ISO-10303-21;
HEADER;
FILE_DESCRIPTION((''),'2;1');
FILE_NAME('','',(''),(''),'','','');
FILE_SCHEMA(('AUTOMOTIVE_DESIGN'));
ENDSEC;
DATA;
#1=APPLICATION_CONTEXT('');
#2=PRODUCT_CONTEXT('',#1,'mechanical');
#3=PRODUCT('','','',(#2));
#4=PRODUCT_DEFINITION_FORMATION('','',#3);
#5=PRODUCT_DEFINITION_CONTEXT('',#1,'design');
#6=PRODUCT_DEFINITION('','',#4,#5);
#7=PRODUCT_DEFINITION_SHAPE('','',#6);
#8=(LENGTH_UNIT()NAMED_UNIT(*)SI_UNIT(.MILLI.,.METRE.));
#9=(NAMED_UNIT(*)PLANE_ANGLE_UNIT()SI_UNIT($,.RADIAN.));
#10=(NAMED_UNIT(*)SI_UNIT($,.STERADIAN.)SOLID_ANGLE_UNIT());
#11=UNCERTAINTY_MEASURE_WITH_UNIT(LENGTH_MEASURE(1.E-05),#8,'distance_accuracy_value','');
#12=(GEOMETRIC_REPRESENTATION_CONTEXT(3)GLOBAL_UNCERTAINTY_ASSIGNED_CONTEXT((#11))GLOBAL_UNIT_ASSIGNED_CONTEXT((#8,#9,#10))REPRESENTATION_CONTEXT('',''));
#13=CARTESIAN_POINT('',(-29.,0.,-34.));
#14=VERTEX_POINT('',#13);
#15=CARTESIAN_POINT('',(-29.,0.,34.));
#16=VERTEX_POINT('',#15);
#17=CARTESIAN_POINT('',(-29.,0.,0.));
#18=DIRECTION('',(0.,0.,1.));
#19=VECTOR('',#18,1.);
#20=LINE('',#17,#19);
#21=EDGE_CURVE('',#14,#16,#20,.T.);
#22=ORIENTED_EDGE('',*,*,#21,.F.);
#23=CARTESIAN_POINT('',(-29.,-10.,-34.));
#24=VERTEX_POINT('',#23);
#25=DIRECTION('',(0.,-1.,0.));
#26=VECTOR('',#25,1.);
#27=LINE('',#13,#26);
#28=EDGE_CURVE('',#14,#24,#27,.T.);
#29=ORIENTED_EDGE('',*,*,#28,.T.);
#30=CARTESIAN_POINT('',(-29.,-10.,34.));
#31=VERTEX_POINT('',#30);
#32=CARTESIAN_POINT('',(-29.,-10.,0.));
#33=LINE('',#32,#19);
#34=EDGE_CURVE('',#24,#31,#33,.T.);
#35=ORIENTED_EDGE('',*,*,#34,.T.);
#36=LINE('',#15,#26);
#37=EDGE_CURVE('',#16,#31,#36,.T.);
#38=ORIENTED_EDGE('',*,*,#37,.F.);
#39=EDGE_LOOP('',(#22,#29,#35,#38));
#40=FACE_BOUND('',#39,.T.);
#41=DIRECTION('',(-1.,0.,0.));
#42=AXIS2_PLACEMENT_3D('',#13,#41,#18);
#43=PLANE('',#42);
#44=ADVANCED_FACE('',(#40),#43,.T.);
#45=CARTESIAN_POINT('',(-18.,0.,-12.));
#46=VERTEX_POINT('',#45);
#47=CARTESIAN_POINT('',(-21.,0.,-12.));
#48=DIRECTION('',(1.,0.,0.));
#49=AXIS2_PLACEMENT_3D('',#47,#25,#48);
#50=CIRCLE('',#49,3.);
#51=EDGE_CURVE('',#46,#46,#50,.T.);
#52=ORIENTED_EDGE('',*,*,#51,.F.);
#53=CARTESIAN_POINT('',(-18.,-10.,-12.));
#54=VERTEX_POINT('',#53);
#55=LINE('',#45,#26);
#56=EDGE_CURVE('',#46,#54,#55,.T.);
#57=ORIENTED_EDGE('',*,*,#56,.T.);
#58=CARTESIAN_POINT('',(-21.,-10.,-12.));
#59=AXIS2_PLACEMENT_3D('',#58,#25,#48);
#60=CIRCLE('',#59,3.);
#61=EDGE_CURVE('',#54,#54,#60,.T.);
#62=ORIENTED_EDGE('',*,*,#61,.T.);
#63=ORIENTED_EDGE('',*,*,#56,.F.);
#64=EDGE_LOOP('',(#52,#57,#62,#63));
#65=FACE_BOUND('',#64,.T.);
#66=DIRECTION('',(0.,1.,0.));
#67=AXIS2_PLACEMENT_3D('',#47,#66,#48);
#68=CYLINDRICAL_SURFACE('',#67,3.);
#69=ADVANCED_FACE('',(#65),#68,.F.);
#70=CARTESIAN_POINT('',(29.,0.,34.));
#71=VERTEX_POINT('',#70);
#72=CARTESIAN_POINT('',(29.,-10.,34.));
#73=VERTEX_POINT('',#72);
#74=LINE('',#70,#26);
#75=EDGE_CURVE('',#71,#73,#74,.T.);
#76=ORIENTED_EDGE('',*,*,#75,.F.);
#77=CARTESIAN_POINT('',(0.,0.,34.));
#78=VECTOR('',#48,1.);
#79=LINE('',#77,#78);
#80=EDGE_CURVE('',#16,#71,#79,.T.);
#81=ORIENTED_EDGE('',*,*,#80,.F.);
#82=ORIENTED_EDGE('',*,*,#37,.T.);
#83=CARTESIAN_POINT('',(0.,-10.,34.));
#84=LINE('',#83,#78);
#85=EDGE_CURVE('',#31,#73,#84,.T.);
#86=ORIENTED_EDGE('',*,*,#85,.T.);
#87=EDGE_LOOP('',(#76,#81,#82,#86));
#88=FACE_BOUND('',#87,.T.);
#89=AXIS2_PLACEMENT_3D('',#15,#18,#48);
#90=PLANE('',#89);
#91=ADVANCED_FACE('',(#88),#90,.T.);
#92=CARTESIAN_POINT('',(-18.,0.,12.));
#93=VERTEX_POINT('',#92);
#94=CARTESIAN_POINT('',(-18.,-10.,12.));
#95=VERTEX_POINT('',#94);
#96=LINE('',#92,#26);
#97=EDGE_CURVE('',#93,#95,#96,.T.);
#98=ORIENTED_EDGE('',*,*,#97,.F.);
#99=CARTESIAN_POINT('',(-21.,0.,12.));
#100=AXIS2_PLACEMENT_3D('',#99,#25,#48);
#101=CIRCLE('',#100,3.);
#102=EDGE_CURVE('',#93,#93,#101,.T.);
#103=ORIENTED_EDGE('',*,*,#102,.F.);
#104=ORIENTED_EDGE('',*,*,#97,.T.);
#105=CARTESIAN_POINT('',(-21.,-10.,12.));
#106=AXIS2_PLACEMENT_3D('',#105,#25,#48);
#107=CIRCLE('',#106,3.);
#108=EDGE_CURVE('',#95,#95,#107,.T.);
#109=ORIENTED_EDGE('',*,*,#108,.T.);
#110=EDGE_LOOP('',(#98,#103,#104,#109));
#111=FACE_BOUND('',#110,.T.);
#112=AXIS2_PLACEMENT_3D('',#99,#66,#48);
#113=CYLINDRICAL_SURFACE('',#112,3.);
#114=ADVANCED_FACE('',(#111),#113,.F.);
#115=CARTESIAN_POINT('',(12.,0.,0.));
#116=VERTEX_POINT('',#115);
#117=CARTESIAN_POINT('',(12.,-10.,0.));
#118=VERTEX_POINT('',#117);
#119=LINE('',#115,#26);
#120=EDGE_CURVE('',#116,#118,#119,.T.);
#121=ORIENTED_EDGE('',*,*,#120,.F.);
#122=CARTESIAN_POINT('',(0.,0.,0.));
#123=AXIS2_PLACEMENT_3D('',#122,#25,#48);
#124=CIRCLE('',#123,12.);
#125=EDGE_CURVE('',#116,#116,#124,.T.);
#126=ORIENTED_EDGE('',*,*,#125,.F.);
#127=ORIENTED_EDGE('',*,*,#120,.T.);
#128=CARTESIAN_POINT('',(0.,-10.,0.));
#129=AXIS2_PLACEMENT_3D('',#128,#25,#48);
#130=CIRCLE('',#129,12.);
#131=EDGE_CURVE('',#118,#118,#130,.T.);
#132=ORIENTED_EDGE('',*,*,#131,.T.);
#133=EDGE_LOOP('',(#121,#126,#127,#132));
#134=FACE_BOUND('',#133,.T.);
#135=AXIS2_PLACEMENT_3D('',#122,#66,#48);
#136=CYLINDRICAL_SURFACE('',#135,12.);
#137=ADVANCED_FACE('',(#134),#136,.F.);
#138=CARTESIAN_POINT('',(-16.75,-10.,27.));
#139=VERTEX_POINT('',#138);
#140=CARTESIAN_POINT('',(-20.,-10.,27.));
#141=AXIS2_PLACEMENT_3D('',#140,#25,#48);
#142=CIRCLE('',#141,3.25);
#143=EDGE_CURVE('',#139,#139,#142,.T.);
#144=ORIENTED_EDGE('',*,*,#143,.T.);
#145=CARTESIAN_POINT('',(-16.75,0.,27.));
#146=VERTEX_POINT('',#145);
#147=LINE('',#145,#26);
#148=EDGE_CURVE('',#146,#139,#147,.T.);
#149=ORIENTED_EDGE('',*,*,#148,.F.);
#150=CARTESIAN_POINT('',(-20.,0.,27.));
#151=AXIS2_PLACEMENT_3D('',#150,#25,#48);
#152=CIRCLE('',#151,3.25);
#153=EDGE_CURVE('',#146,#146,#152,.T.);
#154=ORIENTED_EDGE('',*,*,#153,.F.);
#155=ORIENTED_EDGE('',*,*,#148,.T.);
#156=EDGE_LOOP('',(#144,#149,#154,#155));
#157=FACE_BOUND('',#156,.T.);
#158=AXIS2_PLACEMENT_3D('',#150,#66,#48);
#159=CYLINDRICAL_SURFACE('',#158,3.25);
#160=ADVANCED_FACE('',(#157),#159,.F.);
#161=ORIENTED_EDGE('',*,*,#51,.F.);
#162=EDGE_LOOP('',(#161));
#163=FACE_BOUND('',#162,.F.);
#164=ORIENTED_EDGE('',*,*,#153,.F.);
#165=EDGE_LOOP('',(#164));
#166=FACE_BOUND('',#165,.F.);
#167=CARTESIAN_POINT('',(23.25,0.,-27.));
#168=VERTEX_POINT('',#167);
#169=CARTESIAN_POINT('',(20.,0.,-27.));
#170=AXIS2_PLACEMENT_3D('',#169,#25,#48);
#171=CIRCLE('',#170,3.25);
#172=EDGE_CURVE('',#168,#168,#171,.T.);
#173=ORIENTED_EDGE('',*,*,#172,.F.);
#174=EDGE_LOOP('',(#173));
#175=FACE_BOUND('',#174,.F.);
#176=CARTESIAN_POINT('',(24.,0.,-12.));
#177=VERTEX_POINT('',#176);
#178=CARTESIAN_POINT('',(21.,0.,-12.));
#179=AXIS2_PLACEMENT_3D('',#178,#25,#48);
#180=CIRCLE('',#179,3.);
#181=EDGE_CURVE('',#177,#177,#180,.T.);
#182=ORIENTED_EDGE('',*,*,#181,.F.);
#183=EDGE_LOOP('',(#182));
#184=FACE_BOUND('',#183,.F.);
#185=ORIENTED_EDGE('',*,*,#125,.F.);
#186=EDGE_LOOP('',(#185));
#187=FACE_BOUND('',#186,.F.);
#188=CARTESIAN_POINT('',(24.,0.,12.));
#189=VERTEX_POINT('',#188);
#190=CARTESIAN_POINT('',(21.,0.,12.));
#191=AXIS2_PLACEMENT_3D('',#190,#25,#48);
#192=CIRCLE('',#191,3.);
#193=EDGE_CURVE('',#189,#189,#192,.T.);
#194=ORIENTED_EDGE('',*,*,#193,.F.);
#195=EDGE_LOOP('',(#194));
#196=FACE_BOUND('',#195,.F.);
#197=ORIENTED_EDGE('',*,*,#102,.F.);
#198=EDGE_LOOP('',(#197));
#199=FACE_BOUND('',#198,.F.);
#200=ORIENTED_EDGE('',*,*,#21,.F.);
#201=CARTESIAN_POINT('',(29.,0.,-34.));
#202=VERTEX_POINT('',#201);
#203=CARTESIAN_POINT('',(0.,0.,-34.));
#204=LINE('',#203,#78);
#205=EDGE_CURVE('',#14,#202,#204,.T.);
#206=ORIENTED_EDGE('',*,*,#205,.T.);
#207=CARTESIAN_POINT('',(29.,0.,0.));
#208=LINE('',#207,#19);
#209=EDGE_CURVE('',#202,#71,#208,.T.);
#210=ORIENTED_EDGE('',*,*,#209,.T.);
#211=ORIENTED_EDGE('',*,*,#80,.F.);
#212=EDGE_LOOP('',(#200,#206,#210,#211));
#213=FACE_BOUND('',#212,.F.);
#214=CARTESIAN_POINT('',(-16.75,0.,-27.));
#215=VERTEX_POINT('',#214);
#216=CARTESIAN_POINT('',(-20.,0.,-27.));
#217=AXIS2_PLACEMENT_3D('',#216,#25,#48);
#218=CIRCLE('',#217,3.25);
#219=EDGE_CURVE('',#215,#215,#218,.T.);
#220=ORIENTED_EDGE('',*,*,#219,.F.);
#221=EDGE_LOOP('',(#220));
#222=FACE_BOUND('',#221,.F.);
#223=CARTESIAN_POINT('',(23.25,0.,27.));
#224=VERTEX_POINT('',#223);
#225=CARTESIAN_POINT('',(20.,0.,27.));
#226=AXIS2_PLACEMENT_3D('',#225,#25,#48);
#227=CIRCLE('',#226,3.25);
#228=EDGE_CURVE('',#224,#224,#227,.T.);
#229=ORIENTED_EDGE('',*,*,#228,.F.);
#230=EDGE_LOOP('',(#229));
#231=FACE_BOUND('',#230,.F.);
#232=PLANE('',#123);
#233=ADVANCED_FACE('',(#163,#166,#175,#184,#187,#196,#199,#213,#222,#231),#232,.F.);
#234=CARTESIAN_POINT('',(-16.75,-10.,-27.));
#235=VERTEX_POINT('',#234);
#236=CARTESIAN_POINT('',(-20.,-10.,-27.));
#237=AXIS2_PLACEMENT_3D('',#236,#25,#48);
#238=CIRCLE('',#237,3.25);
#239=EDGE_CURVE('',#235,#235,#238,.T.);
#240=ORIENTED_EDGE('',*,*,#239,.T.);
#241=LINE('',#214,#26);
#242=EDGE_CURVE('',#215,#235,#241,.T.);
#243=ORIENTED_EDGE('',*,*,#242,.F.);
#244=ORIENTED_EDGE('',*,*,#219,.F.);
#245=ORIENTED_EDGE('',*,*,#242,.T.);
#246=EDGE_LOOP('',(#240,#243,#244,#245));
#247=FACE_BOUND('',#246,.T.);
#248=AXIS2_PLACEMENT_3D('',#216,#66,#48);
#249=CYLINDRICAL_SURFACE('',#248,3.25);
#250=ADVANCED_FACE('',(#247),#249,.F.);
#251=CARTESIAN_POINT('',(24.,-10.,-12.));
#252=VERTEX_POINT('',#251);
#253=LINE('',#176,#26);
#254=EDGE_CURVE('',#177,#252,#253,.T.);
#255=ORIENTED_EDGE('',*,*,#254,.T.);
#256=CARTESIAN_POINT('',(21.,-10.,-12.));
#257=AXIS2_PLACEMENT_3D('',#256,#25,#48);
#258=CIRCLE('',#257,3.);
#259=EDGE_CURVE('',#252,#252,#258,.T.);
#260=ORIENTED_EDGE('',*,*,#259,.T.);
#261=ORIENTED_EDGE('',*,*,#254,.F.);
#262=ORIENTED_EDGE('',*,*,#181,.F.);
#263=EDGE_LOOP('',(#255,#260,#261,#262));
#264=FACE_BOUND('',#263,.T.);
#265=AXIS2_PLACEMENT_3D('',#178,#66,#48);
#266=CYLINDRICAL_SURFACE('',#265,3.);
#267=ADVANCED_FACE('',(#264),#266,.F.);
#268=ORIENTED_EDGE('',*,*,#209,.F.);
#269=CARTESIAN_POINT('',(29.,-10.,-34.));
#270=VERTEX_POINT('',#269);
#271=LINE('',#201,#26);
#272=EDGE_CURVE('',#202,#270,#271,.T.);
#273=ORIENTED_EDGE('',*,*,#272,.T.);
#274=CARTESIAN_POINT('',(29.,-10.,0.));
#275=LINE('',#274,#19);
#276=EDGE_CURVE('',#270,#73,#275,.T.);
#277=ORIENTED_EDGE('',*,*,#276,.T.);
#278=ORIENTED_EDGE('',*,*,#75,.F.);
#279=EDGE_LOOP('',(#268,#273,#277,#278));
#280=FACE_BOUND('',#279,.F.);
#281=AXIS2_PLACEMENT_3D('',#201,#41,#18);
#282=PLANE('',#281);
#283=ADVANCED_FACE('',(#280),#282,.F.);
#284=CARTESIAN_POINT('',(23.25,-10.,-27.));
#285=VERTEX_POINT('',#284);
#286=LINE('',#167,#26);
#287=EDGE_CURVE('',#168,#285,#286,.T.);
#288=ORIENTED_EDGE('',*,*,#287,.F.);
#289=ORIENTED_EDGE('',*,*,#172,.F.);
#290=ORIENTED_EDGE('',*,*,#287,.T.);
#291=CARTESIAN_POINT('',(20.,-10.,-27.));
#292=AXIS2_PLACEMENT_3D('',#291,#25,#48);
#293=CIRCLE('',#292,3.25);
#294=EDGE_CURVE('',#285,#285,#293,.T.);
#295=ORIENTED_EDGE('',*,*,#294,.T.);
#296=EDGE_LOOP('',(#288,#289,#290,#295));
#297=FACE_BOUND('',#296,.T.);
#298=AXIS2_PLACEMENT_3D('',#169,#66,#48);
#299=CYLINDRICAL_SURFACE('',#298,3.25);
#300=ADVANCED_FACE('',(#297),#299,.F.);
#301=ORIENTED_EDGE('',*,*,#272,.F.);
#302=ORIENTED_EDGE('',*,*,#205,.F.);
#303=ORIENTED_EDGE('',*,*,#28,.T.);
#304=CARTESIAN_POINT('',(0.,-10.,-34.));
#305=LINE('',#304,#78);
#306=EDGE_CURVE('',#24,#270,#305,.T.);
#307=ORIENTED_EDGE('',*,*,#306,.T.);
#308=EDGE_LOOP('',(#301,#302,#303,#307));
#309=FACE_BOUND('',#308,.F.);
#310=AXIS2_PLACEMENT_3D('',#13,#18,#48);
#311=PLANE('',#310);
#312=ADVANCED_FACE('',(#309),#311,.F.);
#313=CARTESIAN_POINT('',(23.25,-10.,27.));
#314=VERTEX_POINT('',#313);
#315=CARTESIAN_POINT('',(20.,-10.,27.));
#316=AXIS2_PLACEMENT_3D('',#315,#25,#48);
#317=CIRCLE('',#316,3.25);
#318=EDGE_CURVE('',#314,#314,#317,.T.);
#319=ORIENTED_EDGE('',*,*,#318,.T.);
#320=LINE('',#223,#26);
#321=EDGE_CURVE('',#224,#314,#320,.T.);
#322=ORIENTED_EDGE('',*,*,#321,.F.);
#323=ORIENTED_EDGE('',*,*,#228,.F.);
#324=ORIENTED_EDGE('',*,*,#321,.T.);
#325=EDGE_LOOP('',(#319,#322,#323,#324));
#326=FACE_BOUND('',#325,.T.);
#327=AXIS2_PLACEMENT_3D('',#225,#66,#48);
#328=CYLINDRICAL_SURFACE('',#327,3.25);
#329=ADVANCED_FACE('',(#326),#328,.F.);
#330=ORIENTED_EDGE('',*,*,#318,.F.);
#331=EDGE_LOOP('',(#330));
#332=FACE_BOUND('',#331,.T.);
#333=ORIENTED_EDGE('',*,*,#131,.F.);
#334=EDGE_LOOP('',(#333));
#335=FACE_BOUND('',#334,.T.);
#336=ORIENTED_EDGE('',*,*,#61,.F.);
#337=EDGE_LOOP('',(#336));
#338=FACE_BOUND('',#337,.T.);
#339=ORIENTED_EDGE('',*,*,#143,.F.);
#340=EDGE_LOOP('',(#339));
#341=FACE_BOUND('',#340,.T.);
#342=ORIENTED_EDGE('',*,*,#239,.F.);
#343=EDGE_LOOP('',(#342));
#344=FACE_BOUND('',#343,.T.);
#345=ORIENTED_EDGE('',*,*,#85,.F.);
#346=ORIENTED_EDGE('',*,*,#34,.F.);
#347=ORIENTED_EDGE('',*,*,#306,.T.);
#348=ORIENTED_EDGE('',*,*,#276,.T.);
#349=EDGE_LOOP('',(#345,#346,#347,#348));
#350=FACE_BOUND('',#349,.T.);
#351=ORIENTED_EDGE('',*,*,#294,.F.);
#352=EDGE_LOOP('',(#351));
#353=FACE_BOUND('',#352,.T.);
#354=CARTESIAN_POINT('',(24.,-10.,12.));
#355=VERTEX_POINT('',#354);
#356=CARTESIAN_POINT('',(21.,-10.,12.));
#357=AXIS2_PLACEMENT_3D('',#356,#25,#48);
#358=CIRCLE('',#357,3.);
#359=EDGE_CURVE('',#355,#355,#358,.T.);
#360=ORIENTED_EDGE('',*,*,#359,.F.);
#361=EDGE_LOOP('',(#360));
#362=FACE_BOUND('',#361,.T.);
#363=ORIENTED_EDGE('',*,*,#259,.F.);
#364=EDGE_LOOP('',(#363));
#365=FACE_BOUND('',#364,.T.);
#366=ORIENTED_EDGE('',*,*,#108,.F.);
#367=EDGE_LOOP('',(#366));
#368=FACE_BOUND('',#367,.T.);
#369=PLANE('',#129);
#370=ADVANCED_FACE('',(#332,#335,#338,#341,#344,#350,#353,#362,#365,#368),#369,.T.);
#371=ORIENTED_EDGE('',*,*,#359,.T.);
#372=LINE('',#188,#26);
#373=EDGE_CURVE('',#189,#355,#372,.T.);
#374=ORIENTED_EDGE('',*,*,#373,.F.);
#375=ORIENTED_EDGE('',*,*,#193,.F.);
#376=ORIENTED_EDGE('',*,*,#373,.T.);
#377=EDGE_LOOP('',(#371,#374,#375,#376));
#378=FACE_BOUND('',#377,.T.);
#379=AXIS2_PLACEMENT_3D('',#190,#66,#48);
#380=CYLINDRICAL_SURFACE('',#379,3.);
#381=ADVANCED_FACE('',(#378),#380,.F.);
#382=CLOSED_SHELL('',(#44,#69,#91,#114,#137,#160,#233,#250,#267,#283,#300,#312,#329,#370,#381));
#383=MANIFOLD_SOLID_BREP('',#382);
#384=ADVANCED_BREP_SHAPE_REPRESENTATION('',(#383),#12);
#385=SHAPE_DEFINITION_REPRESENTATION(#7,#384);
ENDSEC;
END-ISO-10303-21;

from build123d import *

# Parameters (mm, degrees)
F0_W     = 58
F0_H     = 68
F0_R     = 3.25
F0_R_2   = 3
F0_R_3   = 12
F1_DEPTH = 10


with BuildPart() as f1:
    # F0 (on Front) → F1 (new body)
    with BuildSketch(Plane.XZ):
        Rectangle(F0_W, F0_H)
        with Locations((-20, -27)):
            Circle(F0_R, mode=Mode.SUBTRACT)
        with Locations((-21, -12)):
            Circle(F0_R_2, mode=Mode.SUBTRACT)
        with Locations((20, -27)):
            Circle(F0_R, mode=Mode.SUBTRACT)
        with Locations((21, -12)):
            Circle(F0_R_2, mode=Mode.SUBTRACT)
        with Locations((-21, 12)):
            Circle(F0_R_2, mode=Mode.SUBTRACT)
        with Locations((-20, 27)):
            Circle(F0_R, mode=Mode.SUBTRACT)
        Circle(F0_R_3, mode=Mode.SUBTRACT)
        with Locations((21, 12)):
            Circle(F0_R_2, mode=Mode.SUBTRACT)
        with Locations((20, 27)):
            Circle(F0_R, mode=Mode.SUBTRACT)
    extrude(amount=F1_DEPTH)


solid = f1.part
